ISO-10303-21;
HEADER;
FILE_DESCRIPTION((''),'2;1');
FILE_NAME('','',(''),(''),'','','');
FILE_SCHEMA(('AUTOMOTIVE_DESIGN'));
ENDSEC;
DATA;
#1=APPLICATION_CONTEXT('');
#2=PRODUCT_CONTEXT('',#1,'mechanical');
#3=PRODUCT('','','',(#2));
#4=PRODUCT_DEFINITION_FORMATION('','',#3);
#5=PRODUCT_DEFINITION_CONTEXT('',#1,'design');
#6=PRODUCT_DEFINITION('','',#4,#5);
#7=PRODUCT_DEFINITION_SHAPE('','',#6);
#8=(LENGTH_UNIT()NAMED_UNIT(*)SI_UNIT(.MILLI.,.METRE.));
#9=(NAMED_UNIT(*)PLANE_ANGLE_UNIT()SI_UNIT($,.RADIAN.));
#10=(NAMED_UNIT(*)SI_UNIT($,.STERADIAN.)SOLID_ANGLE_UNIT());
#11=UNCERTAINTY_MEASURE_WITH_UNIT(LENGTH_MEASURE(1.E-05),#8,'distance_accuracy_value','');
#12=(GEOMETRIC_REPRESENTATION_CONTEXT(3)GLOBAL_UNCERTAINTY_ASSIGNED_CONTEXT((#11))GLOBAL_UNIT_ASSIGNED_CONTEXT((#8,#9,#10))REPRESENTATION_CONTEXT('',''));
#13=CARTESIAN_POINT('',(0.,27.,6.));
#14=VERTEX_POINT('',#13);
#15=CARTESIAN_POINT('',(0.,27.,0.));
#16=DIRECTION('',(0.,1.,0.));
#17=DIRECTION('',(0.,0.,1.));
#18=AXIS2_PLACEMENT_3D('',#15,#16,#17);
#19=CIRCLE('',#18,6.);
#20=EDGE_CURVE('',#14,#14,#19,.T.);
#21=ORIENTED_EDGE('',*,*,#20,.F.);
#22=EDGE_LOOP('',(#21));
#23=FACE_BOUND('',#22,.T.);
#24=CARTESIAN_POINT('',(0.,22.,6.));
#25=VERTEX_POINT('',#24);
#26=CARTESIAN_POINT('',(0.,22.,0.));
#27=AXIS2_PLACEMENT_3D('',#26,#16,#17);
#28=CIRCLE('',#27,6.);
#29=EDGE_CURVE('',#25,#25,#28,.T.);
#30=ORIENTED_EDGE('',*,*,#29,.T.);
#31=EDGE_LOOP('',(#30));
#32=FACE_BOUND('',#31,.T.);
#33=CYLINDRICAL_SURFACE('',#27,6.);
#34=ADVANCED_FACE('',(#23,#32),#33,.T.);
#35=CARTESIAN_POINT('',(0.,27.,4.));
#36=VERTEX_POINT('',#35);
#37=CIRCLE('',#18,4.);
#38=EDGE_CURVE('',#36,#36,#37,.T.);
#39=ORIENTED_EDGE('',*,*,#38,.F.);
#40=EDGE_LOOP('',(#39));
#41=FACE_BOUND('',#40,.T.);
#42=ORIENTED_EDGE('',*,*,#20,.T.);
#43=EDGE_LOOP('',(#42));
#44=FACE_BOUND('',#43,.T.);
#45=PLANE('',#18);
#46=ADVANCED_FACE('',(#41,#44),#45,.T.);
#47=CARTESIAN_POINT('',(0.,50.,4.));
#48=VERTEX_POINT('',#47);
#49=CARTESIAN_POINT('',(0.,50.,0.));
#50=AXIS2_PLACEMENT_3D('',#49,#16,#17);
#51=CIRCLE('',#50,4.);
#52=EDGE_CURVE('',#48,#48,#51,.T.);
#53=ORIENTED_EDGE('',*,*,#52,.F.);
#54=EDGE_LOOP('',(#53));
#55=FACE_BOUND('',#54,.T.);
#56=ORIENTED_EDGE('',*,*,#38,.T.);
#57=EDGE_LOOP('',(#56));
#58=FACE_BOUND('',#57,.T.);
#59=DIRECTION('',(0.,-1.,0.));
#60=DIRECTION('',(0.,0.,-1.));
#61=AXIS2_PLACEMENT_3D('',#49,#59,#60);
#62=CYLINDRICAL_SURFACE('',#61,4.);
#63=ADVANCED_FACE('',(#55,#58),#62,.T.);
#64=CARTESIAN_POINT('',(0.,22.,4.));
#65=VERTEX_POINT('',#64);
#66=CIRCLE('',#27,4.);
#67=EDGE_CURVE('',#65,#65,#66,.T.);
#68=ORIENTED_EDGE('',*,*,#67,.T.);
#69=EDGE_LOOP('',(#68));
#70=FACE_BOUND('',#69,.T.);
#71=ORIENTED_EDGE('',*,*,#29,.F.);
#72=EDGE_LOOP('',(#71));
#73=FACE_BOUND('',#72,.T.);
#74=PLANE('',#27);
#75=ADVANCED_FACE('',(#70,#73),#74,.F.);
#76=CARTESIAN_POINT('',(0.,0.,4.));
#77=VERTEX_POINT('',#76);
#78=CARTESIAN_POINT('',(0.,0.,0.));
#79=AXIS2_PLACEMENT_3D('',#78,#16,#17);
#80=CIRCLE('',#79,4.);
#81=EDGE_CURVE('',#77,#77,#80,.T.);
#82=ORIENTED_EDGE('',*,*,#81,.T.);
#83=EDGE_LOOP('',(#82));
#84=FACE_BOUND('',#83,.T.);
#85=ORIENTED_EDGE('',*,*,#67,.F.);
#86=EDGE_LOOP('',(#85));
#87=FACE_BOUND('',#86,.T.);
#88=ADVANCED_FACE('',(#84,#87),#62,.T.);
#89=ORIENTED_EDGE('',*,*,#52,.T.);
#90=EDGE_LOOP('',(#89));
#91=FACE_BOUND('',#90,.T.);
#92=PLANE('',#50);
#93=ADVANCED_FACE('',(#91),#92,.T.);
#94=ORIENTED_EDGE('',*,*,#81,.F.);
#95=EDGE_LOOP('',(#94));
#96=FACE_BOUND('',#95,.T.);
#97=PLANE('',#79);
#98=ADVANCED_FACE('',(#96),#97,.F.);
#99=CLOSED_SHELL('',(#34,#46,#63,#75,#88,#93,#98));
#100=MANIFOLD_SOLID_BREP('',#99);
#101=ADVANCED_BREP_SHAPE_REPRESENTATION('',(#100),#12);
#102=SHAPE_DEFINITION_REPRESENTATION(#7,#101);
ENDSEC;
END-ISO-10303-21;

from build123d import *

# Parameters (mm, degrees)
SKETCH1_R           = 4
BOSS_EXTRUDE1_DEPTH = 50
BOSS_EXTRUDE2_START = -23
SKETCH2_R           = 6
BOSS_EXTRUDE2_DEPTH = 5


with BuildPart() as part:
    # Sketch1 → Boss-Extrude1 (new body)
    with BuildSketch(Plane(origin=(0, 0, 0), x_dir=(1, 0, 0), z_dir=(0, 1, 0))):
        with Locations(Location((0, 0, 0), (0, 0, 270))):
            Circle(SKETCH1_R)
    extrude(amount=BOSS_EXTRUDE1_DEPTH)

    # Sketch2 → Boss-Extrude2 (add)
    with BuildSketch(Plane(origin=(0, 50, 0), x_dir=(1, 0, 0), z_dir=(0, 1, 0)).offset(BOSS_EXTRUDE2_START)):
        with Locations(Location((0, 0, 0), (0, 0, 270))):
            Circle(SKETCH2_R)
    extrude(amount=-BOSS_EXTRUDE2_DEPTH)


solid = part.part
